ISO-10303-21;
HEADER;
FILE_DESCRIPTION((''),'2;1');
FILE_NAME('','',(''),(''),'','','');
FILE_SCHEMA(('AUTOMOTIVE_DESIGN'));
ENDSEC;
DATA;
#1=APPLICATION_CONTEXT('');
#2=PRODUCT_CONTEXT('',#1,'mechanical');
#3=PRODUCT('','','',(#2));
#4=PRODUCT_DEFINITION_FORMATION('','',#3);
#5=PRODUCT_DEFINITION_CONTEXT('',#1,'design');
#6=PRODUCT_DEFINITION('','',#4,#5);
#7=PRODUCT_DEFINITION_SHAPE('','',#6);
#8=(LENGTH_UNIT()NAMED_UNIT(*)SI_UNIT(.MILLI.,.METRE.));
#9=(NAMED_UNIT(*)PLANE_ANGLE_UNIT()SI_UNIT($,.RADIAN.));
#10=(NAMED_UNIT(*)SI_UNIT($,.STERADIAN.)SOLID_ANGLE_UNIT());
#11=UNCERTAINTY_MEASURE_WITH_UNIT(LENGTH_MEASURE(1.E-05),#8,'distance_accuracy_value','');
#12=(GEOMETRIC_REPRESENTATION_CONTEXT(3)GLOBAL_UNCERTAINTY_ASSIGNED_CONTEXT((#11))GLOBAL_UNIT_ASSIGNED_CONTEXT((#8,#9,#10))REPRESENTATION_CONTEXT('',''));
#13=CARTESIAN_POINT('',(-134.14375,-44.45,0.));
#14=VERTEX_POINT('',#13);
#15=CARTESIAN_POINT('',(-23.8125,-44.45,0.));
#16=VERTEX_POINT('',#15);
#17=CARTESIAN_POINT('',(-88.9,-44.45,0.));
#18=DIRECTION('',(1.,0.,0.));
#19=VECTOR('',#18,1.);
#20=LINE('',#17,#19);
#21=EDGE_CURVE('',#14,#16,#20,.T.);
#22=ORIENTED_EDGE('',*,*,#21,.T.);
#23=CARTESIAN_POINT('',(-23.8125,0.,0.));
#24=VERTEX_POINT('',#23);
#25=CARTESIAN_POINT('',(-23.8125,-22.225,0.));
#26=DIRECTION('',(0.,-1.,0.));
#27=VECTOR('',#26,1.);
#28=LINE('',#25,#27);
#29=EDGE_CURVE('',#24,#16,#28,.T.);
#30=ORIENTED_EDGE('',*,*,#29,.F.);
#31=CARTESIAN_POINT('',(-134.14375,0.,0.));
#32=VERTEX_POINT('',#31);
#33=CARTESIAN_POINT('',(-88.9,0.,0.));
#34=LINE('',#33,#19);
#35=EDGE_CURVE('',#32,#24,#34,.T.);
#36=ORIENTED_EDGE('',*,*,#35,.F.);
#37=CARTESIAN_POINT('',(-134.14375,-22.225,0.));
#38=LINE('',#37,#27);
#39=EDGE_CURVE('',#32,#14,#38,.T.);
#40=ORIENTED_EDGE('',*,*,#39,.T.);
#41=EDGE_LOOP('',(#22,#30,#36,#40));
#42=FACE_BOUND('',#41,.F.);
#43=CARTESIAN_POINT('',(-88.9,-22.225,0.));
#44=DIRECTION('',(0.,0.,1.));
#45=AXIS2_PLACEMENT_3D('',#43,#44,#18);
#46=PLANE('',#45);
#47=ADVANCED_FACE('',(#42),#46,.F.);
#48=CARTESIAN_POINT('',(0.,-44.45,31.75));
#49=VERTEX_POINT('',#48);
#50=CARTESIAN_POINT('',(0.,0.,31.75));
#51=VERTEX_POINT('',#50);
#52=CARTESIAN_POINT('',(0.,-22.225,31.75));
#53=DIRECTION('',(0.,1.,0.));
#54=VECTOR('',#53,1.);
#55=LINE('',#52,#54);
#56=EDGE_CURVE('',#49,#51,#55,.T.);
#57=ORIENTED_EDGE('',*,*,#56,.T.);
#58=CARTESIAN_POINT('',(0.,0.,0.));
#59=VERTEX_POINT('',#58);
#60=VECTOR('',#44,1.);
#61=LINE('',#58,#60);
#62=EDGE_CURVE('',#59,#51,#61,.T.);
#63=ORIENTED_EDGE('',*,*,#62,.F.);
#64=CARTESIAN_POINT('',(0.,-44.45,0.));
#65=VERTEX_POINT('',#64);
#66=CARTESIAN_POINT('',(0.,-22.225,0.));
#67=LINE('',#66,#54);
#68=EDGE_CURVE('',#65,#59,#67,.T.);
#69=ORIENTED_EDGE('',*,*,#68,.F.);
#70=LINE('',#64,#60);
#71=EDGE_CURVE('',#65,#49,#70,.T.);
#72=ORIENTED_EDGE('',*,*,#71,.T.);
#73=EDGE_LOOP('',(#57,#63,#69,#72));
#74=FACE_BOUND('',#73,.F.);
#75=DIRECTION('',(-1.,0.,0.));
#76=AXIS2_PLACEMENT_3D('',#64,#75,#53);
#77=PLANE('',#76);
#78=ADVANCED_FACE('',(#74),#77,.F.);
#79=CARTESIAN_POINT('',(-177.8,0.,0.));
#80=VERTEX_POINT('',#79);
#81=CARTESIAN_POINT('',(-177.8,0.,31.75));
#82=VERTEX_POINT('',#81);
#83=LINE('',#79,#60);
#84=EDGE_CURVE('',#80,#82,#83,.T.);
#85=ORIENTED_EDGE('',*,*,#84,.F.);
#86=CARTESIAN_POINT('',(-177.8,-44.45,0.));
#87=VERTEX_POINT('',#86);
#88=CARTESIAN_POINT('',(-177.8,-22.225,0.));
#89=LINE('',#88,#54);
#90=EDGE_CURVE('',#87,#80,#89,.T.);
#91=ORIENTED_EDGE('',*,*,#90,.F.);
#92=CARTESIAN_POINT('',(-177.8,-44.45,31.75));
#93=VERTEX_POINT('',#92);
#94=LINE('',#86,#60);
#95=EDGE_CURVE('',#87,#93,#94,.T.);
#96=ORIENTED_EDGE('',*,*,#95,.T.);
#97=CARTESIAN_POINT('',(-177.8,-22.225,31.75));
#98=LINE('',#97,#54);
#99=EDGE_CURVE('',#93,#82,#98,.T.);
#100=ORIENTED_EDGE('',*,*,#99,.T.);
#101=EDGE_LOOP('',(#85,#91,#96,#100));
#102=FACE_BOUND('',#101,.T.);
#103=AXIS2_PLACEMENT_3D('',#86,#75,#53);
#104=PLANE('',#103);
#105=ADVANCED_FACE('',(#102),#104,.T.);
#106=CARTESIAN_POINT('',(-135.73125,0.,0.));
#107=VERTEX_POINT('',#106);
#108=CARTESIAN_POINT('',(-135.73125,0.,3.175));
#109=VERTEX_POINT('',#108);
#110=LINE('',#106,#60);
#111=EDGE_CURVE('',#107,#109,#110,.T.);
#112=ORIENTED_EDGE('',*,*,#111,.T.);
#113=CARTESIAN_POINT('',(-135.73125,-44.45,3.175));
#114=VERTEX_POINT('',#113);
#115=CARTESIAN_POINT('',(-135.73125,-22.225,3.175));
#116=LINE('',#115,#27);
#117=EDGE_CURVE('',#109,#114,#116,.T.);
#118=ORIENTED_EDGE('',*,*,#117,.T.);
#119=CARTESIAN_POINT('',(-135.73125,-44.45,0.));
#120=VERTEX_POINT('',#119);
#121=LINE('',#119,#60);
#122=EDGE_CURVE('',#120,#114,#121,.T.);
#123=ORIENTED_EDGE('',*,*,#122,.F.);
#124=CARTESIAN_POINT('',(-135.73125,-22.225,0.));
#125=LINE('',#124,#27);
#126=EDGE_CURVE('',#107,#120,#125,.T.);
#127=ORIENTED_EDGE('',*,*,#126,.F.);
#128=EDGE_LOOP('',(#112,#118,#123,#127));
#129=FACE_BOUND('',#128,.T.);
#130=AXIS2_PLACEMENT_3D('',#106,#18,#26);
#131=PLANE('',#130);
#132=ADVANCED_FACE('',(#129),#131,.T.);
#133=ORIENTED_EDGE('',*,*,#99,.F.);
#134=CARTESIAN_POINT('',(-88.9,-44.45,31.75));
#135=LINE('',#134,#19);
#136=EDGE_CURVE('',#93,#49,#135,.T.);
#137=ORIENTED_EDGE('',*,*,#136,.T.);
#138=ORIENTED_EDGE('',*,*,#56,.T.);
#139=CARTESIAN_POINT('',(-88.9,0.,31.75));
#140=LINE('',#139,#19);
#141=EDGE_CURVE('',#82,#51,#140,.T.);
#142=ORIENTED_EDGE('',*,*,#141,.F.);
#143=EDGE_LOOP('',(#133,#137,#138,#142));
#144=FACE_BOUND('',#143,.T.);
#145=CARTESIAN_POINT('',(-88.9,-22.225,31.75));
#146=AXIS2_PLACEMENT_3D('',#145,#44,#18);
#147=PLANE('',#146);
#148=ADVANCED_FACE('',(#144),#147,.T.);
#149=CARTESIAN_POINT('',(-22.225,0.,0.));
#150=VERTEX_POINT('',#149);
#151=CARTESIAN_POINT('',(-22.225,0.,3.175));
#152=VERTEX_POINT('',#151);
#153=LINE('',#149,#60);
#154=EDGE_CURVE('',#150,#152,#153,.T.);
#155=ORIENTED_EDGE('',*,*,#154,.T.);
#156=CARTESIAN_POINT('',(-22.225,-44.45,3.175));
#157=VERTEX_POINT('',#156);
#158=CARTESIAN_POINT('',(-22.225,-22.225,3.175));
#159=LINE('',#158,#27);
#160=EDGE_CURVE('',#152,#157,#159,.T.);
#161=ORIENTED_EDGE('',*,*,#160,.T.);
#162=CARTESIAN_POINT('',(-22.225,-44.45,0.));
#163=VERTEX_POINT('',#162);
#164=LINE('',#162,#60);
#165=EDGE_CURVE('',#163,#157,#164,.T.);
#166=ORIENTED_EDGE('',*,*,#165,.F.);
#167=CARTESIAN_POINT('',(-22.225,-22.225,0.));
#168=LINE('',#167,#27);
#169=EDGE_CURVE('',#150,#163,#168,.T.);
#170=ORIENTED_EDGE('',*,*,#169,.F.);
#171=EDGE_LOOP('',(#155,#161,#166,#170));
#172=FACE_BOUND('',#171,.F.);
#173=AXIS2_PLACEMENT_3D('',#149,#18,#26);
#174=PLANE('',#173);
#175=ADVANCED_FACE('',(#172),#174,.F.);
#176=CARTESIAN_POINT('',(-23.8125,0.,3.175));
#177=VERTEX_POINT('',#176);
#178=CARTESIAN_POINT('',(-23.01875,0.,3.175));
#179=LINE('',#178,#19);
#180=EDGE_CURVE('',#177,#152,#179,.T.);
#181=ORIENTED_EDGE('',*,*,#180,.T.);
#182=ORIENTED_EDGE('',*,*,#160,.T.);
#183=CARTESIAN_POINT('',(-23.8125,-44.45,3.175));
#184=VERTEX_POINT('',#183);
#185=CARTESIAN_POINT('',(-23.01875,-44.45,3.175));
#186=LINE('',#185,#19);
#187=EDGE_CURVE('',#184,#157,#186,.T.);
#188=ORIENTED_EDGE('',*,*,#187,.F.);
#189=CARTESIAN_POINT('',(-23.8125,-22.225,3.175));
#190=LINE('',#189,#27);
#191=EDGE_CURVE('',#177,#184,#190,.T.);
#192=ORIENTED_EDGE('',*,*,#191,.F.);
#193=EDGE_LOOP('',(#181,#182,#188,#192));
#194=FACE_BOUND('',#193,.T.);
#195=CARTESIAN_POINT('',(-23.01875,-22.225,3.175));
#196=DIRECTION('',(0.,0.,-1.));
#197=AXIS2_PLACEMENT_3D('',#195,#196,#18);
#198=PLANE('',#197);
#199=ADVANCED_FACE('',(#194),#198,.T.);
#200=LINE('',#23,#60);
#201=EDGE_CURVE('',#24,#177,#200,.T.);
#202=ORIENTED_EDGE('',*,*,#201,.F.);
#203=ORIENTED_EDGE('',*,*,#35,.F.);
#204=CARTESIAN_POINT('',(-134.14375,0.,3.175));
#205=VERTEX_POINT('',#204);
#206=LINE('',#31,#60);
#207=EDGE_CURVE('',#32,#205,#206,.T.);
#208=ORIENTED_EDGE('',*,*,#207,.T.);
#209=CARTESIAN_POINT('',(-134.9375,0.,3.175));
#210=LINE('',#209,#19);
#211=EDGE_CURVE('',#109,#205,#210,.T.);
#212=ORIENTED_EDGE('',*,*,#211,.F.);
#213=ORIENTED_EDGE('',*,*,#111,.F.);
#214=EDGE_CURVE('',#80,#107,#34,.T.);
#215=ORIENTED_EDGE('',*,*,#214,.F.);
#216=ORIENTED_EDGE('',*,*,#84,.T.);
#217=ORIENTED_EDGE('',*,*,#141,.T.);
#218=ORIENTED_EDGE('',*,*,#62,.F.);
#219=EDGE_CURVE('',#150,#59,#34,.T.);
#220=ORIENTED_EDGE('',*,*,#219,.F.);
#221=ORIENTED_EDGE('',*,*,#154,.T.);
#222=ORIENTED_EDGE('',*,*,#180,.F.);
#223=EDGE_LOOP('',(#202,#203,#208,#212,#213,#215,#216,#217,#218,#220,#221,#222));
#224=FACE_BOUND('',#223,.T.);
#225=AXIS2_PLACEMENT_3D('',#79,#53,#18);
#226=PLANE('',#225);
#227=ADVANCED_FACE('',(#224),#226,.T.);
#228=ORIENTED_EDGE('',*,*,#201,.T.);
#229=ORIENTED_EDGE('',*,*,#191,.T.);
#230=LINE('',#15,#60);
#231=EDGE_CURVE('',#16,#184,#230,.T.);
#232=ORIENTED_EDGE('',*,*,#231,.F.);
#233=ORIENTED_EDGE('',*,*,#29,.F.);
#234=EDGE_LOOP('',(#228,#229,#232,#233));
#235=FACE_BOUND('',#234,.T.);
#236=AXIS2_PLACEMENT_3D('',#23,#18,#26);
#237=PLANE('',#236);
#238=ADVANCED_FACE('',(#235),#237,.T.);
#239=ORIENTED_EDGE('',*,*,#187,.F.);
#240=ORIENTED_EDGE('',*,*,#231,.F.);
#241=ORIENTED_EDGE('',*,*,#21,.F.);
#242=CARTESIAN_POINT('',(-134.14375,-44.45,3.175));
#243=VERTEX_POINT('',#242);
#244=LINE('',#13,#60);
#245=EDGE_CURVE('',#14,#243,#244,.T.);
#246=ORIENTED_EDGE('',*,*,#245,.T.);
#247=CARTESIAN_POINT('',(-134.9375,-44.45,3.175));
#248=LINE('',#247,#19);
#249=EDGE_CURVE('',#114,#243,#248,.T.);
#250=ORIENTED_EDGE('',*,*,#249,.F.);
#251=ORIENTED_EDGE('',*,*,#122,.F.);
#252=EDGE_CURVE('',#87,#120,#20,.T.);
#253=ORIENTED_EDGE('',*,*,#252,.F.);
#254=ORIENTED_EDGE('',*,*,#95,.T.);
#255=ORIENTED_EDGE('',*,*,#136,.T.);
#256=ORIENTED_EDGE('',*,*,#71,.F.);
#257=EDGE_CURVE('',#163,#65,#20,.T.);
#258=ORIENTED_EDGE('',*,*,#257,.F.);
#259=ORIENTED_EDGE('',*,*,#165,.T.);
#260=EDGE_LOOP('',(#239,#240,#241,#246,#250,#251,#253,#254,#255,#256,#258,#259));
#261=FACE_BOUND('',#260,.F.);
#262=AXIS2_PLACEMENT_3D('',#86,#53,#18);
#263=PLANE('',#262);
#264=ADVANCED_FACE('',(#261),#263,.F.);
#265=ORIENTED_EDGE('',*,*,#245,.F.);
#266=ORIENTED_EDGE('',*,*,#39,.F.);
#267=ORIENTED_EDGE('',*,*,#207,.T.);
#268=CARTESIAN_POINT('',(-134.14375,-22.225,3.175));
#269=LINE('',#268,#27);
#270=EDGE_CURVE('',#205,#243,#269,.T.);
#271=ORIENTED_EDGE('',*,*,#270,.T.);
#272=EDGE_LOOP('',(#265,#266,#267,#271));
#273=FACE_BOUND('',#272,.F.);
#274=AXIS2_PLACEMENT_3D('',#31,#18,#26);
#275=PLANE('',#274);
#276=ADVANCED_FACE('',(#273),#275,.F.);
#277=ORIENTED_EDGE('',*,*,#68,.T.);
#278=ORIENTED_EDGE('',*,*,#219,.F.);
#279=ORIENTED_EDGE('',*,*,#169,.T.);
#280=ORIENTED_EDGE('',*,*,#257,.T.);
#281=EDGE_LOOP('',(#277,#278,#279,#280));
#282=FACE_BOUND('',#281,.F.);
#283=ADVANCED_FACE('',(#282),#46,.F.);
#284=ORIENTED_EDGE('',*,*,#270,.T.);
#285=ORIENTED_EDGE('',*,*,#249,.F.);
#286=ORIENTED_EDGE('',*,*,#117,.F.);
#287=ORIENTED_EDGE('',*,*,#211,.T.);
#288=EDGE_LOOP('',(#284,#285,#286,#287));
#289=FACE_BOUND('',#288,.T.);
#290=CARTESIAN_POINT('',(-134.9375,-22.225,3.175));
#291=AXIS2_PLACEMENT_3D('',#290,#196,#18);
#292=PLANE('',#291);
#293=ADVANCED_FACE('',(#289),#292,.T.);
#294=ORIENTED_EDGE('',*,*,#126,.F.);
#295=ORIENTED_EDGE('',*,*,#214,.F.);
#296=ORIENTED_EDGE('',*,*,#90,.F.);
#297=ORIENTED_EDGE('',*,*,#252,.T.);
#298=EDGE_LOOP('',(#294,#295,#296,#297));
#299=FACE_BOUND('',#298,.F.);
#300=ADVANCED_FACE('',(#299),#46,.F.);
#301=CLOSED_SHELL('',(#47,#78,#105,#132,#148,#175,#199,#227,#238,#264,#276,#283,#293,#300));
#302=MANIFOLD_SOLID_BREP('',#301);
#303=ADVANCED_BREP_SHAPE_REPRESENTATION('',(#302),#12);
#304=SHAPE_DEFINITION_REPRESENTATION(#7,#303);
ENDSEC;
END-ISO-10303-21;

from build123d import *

# Parameters (mm, degrees)
F0_W     = 177.8
F0_H     = 44.45
F1_DEPTH = 31.75
F2_W     = 1.5875
F2_H     = 44.45
F3_DEPTH = 3.175


with BuildPart() as f1:
    # F0 (on Top) → F1 (new body)
    with BuildSketch(Plane.XY):
        with Locations((-88.9, -22.225)):
            Rectangle(F0_W, F0_H)
    extrude(amount=F1_DEPTH)

    # F2 (on face) → F3 (cut)
    with BuildSketch(Plane(origin=(0, 0, 0), x_dir=(1, 0, 0), z_dir=(0, 0, -1))):
        with Locations((-23.01875, 22.225)):
            Rectangle(F2_W, F2_H)
        with Locations((-134.9375, 22.225)):
            Rectangle(F2_W, F2_H)
    extrude(amount=-F3_DEPTH, mode=Mode.SUBTRACT)


solid = f1.part
